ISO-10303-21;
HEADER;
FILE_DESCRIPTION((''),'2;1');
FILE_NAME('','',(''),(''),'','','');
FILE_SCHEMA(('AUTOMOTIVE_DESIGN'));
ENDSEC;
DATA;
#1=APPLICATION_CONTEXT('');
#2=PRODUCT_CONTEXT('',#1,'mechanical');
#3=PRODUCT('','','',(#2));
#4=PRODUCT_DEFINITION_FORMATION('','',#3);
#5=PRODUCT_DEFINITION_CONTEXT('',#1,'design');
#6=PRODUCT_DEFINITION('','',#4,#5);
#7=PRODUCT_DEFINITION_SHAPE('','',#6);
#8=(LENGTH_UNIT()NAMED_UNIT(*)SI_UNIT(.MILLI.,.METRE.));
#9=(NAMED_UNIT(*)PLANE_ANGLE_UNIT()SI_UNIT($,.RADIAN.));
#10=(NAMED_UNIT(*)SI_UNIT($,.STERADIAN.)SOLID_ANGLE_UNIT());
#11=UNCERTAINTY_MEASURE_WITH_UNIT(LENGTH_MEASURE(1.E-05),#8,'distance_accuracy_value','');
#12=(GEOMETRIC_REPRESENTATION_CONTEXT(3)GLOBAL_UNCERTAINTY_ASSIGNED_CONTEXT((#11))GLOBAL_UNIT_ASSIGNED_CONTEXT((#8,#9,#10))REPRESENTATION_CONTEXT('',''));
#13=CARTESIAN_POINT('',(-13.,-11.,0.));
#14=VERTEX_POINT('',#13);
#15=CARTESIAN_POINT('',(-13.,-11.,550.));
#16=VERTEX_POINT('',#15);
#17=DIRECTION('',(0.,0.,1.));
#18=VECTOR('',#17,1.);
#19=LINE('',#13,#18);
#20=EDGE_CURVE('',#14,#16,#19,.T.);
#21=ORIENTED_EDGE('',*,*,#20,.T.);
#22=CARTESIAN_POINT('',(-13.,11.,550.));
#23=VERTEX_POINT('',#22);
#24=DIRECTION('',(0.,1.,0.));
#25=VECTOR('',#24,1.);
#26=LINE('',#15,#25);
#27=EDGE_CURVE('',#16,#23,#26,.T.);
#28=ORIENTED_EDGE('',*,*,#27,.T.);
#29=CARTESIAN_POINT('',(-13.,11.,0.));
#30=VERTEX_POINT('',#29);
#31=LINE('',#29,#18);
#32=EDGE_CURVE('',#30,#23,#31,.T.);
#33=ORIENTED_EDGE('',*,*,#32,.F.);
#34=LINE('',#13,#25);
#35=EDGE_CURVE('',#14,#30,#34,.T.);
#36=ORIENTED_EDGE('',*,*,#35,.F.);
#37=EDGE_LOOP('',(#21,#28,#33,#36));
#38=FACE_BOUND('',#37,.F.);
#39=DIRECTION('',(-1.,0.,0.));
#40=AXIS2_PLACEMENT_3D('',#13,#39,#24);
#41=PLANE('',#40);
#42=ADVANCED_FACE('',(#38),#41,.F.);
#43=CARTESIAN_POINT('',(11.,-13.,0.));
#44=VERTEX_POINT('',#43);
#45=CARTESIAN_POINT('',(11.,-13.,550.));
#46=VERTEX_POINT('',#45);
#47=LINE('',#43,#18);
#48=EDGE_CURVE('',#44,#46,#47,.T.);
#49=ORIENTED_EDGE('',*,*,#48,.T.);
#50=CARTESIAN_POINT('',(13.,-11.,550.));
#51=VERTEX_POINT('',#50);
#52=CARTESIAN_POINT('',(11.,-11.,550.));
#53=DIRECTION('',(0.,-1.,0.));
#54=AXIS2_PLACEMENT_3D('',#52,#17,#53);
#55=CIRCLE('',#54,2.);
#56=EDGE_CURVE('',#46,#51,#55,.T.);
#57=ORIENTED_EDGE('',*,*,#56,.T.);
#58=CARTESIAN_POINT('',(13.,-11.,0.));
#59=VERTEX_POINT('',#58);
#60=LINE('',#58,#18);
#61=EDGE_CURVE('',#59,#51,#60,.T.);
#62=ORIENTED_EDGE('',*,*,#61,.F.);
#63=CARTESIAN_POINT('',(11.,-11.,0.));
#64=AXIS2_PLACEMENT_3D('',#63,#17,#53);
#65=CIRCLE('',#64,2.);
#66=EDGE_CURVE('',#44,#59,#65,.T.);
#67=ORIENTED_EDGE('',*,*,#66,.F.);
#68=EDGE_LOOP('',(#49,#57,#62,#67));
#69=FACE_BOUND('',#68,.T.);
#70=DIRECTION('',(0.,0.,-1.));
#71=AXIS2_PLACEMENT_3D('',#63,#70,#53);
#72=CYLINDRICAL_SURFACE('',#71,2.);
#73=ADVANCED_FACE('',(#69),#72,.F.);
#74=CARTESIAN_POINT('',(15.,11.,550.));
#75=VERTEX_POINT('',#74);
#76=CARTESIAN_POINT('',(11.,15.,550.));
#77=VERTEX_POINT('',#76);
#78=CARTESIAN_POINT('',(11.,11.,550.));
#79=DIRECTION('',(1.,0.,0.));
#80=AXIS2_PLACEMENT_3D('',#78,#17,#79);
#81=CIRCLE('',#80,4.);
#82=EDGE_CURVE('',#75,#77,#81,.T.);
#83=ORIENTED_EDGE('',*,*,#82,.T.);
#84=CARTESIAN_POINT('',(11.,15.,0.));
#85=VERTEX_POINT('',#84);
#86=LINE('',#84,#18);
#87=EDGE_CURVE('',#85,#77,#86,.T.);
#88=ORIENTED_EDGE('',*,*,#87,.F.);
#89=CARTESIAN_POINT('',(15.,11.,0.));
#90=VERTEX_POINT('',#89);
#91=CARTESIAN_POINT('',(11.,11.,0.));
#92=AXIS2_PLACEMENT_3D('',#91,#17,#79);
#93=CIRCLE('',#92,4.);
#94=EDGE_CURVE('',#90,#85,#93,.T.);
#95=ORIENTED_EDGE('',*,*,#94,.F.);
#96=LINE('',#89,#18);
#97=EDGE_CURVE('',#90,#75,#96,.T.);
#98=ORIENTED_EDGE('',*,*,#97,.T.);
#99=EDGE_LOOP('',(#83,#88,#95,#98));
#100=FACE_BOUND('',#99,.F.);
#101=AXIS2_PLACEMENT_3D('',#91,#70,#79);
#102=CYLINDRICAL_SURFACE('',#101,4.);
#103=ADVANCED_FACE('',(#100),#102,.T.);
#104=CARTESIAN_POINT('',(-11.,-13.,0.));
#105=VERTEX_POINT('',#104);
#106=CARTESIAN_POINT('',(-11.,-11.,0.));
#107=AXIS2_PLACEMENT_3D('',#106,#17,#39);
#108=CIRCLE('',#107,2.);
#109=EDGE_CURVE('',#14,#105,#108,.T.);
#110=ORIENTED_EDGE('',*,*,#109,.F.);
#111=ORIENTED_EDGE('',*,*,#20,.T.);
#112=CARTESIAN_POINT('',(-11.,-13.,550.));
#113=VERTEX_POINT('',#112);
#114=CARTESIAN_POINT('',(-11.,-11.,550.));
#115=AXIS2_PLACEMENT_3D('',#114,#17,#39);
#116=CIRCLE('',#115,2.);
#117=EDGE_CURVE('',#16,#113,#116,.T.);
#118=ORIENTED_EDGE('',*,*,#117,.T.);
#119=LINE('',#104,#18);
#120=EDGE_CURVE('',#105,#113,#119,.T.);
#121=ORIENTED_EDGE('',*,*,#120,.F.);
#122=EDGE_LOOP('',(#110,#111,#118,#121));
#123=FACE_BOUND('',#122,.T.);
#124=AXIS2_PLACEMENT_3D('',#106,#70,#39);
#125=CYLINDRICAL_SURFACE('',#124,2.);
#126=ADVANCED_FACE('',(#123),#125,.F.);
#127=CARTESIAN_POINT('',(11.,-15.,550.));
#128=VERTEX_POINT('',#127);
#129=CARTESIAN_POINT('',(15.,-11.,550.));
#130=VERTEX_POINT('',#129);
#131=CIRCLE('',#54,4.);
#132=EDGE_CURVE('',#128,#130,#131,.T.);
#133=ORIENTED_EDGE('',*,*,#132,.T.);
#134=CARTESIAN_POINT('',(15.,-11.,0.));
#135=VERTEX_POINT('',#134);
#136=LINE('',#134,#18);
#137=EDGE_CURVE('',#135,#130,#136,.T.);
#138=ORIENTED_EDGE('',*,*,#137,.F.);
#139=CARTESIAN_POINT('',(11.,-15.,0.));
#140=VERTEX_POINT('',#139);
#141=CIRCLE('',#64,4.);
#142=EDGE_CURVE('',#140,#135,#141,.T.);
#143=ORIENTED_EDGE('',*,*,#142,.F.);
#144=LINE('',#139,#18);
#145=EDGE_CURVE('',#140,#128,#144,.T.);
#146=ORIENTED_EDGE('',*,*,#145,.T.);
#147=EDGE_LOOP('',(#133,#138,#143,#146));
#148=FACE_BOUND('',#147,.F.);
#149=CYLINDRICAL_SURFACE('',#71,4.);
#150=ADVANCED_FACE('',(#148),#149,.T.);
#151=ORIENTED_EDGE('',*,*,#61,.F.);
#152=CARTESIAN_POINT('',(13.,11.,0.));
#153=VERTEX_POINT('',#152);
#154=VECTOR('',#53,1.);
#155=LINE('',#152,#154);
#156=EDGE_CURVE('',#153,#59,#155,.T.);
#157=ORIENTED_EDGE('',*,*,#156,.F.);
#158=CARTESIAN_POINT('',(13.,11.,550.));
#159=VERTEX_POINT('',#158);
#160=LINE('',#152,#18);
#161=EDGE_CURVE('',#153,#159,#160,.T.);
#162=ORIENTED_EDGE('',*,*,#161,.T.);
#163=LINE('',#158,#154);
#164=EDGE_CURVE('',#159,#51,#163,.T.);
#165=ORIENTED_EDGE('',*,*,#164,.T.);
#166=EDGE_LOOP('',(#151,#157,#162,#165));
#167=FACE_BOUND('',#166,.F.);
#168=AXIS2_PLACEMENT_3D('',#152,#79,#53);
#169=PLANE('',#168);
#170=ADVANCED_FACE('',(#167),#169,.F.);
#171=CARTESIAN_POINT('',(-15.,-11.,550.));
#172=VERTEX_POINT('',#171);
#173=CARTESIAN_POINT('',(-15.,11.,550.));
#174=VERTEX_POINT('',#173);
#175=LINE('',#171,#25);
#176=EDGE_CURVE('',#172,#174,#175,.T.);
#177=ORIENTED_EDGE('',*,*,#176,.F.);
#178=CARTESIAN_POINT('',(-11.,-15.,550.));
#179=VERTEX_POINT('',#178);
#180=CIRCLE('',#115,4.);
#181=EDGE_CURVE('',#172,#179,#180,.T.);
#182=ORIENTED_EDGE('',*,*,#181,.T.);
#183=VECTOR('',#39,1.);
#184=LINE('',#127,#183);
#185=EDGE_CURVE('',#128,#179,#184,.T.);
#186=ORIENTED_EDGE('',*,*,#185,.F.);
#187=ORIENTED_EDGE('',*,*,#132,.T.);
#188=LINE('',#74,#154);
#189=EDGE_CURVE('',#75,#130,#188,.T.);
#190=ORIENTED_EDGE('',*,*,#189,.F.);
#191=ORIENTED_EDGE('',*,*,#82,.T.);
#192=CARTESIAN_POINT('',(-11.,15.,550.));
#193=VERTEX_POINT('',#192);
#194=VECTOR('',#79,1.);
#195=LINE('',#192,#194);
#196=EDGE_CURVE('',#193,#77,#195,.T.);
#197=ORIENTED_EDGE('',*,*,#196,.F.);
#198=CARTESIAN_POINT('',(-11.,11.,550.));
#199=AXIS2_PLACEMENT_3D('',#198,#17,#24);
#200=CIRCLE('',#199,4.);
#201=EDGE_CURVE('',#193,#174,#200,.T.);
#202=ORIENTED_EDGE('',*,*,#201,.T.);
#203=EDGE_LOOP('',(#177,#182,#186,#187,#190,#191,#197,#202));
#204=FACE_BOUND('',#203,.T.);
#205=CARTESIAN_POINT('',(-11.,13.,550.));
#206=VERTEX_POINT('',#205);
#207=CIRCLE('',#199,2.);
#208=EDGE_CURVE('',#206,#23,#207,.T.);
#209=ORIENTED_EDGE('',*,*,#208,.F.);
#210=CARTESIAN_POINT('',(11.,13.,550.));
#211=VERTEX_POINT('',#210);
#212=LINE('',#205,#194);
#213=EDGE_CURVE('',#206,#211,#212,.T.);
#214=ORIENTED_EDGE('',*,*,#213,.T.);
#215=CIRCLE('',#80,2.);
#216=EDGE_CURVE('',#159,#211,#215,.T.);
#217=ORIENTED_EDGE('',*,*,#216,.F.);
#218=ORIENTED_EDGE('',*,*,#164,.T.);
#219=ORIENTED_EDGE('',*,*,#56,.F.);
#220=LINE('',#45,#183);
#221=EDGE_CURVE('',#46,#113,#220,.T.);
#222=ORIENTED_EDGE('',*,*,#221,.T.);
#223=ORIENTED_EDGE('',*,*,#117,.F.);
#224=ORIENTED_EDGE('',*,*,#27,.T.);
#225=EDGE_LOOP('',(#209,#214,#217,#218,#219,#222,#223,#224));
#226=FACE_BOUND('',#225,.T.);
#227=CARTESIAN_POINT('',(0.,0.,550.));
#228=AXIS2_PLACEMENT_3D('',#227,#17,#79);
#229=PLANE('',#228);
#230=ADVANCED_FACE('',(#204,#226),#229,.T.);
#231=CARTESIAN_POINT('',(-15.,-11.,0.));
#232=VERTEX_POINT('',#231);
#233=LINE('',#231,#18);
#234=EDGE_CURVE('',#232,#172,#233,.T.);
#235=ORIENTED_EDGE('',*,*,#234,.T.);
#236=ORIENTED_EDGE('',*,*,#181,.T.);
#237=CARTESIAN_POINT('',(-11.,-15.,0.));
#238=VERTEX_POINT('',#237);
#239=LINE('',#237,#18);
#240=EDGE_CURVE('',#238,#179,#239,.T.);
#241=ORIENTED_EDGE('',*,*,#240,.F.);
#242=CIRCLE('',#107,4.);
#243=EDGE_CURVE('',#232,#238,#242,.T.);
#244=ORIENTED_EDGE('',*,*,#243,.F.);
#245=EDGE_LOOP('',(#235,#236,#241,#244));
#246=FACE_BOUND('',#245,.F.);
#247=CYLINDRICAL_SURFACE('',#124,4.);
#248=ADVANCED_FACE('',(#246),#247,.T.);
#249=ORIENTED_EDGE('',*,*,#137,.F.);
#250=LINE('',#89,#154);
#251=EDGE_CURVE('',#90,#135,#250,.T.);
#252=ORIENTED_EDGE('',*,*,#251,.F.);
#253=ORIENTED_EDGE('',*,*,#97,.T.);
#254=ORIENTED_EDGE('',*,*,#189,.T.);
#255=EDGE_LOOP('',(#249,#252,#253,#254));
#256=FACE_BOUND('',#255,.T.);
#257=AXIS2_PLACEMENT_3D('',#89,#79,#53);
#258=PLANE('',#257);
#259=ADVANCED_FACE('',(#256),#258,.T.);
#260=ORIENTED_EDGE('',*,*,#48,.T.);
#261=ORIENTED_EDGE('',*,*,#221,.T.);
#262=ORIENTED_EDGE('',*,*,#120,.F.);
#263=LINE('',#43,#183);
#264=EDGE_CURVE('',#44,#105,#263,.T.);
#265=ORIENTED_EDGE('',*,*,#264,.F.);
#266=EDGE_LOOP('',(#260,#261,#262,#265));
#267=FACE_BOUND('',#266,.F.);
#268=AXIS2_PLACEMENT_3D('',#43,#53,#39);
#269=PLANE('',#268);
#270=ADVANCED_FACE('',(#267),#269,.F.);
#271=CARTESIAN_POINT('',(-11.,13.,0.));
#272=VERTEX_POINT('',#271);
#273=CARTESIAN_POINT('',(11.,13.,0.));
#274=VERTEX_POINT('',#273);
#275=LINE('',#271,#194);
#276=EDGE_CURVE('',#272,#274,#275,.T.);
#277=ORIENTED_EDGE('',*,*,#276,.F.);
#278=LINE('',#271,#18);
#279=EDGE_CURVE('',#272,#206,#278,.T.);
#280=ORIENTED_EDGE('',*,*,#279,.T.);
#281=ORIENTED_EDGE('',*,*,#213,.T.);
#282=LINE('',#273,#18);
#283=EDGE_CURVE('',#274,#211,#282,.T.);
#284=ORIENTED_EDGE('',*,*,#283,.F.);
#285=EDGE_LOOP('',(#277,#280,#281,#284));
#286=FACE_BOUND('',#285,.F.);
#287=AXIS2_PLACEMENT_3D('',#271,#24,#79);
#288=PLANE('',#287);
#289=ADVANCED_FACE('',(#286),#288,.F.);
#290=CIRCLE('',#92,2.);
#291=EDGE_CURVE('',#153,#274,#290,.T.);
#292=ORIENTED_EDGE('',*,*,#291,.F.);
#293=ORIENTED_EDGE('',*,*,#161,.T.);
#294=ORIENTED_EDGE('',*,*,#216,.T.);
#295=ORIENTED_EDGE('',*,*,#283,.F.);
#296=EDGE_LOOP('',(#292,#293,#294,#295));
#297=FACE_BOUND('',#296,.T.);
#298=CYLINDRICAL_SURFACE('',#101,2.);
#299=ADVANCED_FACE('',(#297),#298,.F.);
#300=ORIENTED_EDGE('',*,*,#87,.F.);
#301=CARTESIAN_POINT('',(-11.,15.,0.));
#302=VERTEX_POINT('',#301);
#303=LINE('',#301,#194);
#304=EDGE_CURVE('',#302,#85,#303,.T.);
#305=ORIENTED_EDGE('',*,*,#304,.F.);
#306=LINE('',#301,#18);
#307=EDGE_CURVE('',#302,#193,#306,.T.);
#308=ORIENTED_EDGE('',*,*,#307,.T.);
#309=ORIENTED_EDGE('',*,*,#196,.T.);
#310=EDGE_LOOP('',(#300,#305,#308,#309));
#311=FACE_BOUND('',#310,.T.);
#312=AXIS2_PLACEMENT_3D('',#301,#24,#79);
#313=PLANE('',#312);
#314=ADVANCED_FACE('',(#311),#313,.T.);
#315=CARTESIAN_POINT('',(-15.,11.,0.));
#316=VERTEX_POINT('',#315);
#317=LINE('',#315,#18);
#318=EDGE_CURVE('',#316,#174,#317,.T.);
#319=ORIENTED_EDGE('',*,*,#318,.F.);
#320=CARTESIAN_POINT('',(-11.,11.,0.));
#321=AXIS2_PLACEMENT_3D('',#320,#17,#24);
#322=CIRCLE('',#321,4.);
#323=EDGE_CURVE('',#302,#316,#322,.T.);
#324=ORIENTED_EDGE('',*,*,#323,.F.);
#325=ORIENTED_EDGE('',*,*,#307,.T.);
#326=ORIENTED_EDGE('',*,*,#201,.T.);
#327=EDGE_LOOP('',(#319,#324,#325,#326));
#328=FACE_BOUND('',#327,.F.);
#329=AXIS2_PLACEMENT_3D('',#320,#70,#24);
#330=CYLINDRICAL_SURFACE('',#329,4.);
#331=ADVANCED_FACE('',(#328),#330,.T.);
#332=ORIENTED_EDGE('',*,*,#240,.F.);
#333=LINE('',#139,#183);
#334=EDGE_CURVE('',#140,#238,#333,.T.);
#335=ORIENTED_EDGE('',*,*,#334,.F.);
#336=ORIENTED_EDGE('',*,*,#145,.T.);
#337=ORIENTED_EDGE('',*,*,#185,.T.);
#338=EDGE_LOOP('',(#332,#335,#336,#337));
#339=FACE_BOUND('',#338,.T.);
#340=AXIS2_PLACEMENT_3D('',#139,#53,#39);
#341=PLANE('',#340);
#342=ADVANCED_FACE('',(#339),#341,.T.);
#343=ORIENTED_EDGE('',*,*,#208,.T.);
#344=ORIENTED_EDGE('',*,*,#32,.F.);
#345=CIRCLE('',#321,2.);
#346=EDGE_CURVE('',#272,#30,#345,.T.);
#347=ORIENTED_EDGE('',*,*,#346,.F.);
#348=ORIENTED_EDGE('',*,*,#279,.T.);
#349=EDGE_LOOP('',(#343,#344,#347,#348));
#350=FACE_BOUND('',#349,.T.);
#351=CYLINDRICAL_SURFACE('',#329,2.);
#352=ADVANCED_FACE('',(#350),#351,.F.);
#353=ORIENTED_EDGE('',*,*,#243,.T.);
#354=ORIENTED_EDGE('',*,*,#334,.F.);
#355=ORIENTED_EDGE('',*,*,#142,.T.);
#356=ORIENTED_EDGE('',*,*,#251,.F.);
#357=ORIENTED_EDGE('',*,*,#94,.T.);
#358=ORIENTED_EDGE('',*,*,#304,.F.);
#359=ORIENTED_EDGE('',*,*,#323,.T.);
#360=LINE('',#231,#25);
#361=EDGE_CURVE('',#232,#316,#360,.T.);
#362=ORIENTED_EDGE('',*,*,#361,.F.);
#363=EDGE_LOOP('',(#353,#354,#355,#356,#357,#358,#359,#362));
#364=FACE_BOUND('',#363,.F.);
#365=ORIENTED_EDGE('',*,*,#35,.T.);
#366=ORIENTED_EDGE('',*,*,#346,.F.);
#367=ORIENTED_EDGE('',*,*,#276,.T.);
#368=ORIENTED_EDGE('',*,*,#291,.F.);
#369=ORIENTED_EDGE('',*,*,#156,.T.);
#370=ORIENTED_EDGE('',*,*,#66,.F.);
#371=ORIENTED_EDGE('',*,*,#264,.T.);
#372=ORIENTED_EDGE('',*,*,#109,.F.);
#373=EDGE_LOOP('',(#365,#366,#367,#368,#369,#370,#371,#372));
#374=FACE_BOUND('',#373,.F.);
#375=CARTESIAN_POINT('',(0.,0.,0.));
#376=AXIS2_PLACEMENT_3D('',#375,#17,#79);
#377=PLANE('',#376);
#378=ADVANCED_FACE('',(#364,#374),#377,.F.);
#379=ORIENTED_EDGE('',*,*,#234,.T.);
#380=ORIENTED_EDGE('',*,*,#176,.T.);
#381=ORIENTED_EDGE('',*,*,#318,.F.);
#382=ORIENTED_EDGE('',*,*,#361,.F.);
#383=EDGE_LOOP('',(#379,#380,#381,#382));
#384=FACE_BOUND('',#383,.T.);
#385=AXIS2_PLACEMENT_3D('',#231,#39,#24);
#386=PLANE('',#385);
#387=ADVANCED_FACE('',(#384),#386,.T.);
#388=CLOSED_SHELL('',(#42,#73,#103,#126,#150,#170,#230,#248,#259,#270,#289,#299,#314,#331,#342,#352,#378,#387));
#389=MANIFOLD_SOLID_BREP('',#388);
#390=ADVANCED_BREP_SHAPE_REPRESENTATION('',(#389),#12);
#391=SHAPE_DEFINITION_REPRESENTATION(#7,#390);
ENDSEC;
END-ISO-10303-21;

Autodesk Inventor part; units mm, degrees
ref_plane "YZ Plane" through (0, 0, 0) normal (1, 0, 0) x (0, 1, 0)
ref_plane "Plan de départ" through (0, 0, 0) normal (0, 0, 1) x (1, 0, 0)
ref_plane "Plan de fin" through (0, 0, 550) normal (0, 0, 1) x (1, 0, 0)
sketch "Esquisse" plane through (0, 0, 0) normal (0, 0, 1) x (1, 0, 0)
  line L0 (-15, -11) -> (-15, 11)
  line L1 (-11, 15) -> (11, 15)
  line L2 (15, 11) -> (15, -11)
  line L3 (11, -15) -> (-11, -15)
  arc A0 (-15, -11) -> (-11, -15) centre (-11, -11) ccw
  arc A1 (15, 11) -> (11, 15) centre (11, 11) ccw
  arc A2 (-11, 15) -> (-15, 11) centre (-11, 11) ccw
  arc A3 (11, -15) -> (15, -11) centre (11, -11) ccw
  arc A4 (-11, 13) -> (-13, 11) centre (-11, 11) ccw
  line L4 (-11, 13) -> (11, 13)
  arc A5 (13, 11) -> (11, 13) centre (11, 11) ccw
  line L5 (13, 11) -> (13, -11)
  arc A6 (11, -13) -> (13, -11) centre (11, -11) ccw
  line L6 (11, -13) -> (-11, -13)
  arc A7 (-13, -11) -> (-11, -13) centre (-11, -11) ccw
  line L7 (-13, -11) -> (-13, 11)
  line L8 (0, 22.1598) -> (0, -22.1598) construction
  line L9 (-22.1598, 0) -> (22.1598, 0) construction
  dimension "d7" = 4
  dimension "d9" = 30
  dimension "d11" = 30
  dimension "d12" = 2
  dimension "d15" = 15
  dimension "d16" = 15
extrude "Corps" add sketch "Esquisse" along normal up to surface (550 mm away) from surface at 0
sketch "Sketch3" plane through (0, 0, 0) normal (0, 0, 1) x (1, 0, 0)
  line L0 (0, 0) -> (10, 0)
ref_plane "Work Plane3" through (0, 0, 0) normal (0, -1, 0) x (1, 0, 0)
sketch "Sketch4" plane through (0, 0, 0) normal (0, -1, 0) x (1, 0, 0)
  line L0 (-2, 0) -> (12, 0) projected
  line L1 (-2, 550) -> (12, 550) projected
  dimension "d18" = 550
equation "\"d7\" = G_IR"
equation "\"d9\" = G_W"
equation "\"d11\" = G_H"
equation "\"d12\" = G_T"
equation "\"d15\" = 0.5 * d9"
equation "\"d16\" = 0.5 * d11"
equation "\"d3\" = G_L"
equation "\"G_W\" = 30"
equation "\"G_H\" = 30"
equation "\"G_T\" = 2"
equation "\"G_IR\" = 4"
equation "\"G_L\" = d18"
equation "\"G_OFFSET_START\" = 0"
equation "\"G_OFFSET_END\" = 0"
properties part number "ISO 10799-2 - 30x30x2 - 550" material "Acier, doux"
